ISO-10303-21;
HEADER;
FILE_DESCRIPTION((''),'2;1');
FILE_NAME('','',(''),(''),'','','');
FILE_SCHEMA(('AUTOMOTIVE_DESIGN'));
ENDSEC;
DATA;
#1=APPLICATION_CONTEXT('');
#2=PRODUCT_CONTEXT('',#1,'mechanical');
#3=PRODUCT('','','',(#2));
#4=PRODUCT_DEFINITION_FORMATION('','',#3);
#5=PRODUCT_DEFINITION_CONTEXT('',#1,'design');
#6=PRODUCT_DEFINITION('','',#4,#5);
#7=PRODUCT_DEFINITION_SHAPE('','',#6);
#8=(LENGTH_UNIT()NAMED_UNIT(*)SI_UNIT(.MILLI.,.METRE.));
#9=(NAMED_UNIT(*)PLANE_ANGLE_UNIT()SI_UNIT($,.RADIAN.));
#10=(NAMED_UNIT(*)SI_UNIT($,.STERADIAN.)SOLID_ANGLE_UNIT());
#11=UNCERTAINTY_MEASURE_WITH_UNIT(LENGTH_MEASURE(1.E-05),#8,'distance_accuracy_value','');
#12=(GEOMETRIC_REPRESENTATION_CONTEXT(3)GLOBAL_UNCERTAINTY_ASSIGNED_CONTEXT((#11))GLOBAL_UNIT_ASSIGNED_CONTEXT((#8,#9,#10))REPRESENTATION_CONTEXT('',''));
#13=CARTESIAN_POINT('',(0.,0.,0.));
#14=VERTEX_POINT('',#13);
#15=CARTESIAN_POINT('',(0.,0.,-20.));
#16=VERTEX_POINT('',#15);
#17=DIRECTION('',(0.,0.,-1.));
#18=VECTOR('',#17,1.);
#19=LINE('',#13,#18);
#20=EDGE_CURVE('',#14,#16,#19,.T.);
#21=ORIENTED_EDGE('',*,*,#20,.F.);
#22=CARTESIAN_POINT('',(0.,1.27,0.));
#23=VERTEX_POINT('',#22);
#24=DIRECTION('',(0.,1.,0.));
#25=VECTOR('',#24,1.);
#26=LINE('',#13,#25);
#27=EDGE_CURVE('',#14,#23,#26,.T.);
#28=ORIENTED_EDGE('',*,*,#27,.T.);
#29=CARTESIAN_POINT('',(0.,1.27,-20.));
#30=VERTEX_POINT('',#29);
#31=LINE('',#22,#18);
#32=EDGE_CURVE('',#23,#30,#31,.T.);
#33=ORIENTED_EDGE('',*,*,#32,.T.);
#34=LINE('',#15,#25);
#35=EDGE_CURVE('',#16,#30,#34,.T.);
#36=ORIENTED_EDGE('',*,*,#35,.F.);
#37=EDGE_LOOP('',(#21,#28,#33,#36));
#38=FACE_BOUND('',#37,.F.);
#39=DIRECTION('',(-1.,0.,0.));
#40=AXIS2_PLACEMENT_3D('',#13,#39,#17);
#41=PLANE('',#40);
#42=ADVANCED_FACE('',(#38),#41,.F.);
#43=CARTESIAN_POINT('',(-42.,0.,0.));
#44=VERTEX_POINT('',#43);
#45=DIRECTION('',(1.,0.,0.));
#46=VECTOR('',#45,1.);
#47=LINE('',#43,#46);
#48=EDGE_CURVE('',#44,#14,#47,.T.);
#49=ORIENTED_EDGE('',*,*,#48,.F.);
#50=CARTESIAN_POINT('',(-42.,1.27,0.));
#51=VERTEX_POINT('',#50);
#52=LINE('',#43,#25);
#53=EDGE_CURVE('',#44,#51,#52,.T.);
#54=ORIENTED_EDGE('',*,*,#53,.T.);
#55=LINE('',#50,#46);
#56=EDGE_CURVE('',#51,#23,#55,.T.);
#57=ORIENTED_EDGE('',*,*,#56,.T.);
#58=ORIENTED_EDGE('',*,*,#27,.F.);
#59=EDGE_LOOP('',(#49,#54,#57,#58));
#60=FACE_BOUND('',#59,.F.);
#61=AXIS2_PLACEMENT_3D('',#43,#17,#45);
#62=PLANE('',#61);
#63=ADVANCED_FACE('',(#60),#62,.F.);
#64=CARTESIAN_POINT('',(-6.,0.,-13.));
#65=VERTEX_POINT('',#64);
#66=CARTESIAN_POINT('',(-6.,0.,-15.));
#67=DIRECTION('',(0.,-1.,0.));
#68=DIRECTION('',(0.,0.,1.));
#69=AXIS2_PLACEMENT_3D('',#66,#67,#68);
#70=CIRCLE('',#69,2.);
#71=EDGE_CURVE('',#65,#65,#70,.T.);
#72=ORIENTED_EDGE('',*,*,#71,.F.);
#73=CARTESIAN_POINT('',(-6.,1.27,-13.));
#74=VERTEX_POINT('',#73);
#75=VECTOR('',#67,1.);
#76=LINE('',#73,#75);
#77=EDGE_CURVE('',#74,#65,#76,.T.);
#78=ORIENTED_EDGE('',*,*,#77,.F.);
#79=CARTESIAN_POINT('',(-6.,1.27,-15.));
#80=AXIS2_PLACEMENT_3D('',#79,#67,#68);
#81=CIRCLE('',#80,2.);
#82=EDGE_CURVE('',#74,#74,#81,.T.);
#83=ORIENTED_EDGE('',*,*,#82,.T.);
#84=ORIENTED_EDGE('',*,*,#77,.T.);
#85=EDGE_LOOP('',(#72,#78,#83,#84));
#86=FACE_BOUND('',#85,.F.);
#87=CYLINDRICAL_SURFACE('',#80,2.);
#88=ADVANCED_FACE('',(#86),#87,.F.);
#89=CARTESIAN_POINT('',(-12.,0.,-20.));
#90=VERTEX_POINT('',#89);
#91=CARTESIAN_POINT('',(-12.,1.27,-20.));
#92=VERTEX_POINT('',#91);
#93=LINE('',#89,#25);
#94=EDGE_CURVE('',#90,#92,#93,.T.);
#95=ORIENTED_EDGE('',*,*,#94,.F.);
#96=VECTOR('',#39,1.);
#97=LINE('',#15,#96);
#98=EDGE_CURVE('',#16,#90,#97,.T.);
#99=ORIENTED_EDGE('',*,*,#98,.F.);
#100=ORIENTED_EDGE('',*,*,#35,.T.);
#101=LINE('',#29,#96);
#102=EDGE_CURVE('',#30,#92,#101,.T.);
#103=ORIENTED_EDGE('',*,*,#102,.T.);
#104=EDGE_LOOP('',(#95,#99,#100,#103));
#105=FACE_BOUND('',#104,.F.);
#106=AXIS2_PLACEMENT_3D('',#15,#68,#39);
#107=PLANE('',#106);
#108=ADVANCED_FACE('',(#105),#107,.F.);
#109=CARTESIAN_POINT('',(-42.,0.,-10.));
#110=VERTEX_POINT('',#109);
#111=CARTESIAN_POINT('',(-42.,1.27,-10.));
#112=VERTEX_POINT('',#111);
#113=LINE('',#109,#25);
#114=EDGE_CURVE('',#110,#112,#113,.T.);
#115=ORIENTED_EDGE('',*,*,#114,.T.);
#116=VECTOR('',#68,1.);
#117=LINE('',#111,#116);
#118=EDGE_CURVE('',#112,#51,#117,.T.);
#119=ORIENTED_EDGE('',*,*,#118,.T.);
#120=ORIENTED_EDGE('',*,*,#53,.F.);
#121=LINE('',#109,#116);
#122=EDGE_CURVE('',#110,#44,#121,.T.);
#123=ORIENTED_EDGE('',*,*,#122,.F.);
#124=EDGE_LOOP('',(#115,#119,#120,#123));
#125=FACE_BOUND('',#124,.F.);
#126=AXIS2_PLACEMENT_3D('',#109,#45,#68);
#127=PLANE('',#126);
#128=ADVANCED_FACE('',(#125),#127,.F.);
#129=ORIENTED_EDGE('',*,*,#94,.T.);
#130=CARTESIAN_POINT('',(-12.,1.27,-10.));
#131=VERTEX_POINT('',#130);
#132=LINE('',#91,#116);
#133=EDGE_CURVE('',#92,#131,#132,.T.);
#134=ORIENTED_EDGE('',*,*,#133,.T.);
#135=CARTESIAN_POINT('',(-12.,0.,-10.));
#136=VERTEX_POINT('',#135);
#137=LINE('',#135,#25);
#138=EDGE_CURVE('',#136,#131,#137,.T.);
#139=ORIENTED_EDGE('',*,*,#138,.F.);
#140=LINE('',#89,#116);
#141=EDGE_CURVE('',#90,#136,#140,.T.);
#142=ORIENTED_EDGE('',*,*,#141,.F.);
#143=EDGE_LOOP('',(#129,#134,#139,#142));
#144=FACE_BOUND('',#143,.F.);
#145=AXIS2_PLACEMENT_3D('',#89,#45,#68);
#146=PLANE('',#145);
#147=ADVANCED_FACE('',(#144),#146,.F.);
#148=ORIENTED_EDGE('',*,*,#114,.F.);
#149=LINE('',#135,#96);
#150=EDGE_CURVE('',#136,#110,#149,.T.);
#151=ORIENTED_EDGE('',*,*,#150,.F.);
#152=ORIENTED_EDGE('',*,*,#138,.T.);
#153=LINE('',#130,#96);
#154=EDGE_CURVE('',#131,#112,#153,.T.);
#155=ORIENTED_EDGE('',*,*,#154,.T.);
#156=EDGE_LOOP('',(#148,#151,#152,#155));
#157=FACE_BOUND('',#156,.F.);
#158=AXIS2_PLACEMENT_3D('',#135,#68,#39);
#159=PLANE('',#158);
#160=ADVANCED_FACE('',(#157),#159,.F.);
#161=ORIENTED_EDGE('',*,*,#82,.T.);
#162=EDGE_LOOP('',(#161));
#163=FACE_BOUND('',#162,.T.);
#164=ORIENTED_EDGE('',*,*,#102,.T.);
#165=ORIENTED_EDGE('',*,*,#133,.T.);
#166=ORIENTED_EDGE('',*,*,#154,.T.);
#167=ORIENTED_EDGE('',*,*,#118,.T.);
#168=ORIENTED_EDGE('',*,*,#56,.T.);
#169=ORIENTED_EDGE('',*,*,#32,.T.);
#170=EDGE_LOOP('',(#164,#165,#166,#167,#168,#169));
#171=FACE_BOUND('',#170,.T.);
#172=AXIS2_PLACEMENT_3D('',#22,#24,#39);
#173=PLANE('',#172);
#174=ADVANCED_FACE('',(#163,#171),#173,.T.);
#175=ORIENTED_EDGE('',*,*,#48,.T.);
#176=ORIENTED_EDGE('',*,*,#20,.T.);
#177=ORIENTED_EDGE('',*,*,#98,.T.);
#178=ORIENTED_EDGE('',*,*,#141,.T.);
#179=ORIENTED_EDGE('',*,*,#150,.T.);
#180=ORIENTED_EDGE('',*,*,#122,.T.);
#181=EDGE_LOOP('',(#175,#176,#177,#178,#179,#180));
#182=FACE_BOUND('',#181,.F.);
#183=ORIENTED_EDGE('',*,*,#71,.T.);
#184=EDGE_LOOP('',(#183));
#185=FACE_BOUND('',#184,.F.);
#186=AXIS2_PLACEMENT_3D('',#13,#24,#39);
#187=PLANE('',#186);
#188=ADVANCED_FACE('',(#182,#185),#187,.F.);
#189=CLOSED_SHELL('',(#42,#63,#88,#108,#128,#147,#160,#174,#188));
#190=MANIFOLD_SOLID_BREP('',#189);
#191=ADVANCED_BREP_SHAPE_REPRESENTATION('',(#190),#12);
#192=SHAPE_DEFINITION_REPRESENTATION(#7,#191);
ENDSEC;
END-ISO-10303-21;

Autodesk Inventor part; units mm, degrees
ref_plane "YZ Plane" through (0, 0, 0) normal (1, 0, 0) x (0, 1, 0)
ref_plane "XZ Plane" through (0, 0, 0) normal (0, 1, 0) x (-1, 0, 0)
ref_plane "XY Plane" through (0, 0, 0) normal (0, 0, 1) x (1, 0, 0)
sketch "Sketch1" plane through (0, 0, 0) normal (0, 1, 0) x (-1, 0, 0)
  line L0 (0, 0) -> (0, -20)
  line L1 (42, 0) -> (0, 0)
  line L2 (42, -10) -> (42, 0)
  line L3 (12, -10) -> (42, -10)
  line L4 (12, -20) -> (12, -10)
  line L5 (0, -20) -> (12, -20)
extrude "Extrusion1" add sketch "Sketch1" along normal blind 1.27
sketch "Sketch2" plane through (0, 1.27, 0) normal (0, 1, 0) x (1, 0, 0)
  point P0 (-6, 15)
hole "Hole1" at (-6, 1.27, -15) direction (0, -1, 0) diameter 4 depth 1.27
properties part number "Y-axis Carriage Flag" material "Nylon 6/6"
